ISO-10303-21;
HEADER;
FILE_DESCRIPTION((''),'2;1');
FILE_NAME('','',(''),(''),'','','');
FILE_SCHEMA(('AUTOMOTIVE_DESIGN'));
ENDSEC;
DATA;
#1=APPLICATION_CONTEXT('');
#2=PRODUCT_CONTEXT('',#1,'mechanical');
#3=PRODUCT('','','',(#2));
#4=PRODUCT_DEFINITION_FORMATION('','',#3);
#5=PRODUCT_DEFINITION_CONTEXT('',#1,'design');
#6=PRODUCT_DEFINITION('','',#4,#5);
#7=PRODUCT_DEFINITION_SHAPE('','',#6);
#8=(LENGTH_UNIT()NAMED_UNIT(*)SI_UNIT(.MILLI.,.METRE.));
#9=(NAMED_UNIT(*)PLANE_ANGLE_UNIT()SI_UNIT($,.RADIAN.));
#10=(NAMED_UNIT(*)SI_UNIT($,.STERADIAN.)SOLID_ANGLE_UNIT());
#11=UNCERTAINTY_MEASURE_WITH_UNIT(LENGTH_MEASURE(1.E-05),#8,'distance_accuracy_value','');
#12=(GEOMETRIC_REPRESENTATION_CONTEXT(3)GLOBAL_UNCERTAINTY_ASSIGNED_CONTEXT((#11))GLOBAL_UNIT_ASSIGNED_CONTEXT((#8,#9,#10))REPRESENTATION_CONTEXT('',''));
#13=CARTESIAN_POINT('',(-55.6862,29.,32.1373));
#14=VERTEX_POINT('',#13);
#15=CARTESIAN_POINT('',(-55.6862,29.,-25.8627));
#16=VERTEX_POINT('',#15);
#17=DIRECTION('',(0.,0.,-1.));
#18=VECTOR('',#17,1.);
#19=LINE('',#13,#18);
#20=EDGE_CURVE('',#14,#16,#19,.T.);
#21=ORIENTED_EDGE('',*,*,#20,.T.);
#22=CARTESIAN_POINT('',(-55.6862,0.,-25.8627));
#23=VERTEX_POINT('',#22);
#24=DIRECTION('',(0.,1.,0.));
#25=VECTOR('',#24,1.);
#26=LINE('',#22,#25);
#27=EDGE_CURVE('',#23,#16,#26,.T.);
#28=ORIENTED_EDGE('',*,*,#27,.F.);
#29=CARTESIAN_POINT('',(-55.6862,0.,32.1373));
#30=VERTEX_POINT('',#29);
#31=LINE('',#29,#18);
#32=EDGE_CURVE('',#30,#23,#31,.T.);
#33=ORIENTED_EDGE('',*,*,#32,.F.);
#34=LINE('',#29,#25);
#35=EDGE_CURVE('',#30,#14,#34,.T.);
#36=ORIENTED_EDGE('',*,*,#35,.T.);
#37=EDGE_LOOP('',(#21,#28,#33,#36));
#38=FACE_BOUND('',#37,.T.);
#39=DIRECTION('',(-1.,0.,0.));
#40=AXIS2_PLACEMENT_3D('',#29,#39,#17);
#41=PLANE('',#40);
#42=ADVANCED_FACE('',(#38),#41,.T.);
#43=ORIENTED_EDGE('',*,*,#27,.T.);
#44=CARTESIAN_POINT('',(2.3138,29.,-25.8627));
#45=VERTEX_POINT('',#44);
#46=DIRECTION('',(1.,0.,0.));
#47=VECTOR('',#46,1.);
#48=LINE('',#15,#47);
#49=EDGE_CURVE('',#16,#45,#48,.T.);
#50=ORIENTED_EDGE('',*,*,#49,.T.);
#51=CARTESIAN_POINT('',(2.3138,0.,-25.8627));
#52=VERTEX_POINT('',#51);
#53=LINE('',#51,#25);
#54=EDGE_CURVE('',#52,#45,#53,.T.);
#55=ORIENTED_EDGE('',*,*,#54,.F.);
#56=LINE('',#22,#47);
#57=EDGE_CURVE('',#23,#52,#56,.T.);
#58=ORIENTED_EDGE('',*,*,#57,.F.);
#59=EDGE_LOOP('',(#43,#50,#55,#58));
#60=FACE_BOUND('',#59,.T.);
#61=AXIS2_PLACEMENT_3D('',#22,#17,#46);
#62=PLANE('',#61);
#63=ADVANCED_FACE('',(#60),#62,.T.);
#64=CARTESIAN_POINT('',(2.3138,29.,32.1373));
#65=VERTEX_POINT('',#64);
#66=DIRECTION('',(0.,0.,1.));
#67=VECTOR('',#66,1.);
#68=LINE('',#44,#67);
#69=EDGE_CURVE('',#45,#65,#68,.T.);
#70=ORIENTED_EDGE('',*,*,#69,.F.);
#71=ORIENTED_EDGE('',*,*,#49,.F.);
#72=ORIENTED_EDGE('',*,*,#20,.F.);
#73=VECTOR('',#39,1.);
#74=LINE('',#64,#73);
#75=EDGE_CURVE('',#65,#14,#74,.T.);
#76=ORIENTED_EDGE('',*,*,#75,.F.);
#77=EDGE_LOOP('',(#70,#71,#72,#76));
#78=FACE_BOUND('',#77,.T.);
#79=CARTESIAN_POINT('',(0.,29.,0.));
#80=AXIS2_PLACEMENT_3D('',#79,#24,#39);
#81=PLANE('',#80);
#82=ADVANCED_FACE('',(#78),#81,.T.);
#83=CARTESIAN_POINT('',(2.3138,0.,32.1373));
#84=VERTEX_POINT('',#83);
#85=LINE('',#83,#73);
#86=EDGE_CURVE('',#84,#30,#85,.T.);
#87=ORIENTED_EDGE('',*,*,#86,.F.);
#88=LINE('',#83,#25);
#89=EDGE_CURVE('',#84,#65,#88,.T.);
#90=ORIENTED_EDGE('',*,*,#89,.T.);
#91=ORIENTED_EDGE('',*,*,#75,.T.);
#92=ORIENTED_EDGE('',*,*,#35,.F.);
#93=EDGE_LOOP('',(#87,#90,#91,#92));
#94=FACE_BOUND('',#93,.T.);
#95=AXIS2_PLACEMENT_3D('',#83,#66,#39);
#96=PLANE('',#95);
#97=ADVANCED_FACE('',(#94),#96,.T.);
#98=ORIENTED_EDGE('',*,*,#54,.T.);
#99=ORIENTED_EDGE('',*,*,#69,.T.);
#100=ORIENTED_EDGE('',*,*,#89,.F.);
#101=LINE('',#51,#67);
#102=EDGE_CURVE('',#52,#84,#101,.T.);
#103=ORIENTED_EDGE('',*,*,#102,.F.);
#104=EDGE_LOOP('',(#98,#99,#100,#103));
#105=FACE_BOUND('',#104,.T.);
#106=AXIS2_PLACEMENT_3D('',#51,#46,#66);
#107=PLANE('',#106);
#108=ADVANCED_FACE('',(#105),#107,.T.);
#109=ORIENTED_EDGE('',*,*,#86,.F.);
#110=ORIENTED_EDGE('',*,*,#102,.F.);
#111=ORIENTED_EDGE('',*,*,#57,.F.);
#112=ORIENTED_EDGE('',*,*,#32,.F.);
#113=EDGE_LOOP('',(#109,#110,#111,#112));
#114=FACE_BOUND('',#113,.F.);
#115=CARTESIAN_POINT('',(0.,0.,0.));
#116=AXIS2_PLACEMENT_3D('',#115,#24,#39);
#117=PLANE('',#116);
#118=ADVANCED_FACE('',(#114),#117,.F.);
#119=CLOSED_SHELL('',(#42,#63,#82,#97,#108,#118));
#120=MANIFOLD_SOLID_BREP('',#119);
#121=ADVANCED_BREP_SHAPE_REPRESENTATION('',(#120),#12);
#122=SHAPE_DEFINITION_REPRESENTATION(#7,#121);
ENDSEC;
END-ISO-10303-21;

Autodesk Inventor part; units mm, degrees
ref_plane "YZ Plane" through (0, 0, 0) normal (1, 0, 0) x (0, 1, 0)
ref_plane "XZ Plane" through (0, 0, 0) normal (0, 1, 0) x (-1, 0, 0)
ref_plane "XY Plane" through (0, 0, 0) normal (0, 0, 1) x (1, 0, 0)
sketch "Sketch1" plane through (0, 0, 0) normal (0, 1, 0) x (-1, 0, 0)
  line L0 (55.6862, 32.1373) -> (55.6862, -25.8627)
  line L1 (55.6862, -25.8627) -> (-2.3138, -25.8627)
  line L2 (-2.3138, -25.8627) -> (-2.3138, 32.1373)
  line L3 (-2.3138, 32.1373) -> (55.6862, 32.1373)
  point P0 (0, 0)
  dimension "d0" = 58
  dimension "d1" = 58
extrude "Extrusion1" add sketch "Sketch1" along normal blind 29
properties part number "router"
